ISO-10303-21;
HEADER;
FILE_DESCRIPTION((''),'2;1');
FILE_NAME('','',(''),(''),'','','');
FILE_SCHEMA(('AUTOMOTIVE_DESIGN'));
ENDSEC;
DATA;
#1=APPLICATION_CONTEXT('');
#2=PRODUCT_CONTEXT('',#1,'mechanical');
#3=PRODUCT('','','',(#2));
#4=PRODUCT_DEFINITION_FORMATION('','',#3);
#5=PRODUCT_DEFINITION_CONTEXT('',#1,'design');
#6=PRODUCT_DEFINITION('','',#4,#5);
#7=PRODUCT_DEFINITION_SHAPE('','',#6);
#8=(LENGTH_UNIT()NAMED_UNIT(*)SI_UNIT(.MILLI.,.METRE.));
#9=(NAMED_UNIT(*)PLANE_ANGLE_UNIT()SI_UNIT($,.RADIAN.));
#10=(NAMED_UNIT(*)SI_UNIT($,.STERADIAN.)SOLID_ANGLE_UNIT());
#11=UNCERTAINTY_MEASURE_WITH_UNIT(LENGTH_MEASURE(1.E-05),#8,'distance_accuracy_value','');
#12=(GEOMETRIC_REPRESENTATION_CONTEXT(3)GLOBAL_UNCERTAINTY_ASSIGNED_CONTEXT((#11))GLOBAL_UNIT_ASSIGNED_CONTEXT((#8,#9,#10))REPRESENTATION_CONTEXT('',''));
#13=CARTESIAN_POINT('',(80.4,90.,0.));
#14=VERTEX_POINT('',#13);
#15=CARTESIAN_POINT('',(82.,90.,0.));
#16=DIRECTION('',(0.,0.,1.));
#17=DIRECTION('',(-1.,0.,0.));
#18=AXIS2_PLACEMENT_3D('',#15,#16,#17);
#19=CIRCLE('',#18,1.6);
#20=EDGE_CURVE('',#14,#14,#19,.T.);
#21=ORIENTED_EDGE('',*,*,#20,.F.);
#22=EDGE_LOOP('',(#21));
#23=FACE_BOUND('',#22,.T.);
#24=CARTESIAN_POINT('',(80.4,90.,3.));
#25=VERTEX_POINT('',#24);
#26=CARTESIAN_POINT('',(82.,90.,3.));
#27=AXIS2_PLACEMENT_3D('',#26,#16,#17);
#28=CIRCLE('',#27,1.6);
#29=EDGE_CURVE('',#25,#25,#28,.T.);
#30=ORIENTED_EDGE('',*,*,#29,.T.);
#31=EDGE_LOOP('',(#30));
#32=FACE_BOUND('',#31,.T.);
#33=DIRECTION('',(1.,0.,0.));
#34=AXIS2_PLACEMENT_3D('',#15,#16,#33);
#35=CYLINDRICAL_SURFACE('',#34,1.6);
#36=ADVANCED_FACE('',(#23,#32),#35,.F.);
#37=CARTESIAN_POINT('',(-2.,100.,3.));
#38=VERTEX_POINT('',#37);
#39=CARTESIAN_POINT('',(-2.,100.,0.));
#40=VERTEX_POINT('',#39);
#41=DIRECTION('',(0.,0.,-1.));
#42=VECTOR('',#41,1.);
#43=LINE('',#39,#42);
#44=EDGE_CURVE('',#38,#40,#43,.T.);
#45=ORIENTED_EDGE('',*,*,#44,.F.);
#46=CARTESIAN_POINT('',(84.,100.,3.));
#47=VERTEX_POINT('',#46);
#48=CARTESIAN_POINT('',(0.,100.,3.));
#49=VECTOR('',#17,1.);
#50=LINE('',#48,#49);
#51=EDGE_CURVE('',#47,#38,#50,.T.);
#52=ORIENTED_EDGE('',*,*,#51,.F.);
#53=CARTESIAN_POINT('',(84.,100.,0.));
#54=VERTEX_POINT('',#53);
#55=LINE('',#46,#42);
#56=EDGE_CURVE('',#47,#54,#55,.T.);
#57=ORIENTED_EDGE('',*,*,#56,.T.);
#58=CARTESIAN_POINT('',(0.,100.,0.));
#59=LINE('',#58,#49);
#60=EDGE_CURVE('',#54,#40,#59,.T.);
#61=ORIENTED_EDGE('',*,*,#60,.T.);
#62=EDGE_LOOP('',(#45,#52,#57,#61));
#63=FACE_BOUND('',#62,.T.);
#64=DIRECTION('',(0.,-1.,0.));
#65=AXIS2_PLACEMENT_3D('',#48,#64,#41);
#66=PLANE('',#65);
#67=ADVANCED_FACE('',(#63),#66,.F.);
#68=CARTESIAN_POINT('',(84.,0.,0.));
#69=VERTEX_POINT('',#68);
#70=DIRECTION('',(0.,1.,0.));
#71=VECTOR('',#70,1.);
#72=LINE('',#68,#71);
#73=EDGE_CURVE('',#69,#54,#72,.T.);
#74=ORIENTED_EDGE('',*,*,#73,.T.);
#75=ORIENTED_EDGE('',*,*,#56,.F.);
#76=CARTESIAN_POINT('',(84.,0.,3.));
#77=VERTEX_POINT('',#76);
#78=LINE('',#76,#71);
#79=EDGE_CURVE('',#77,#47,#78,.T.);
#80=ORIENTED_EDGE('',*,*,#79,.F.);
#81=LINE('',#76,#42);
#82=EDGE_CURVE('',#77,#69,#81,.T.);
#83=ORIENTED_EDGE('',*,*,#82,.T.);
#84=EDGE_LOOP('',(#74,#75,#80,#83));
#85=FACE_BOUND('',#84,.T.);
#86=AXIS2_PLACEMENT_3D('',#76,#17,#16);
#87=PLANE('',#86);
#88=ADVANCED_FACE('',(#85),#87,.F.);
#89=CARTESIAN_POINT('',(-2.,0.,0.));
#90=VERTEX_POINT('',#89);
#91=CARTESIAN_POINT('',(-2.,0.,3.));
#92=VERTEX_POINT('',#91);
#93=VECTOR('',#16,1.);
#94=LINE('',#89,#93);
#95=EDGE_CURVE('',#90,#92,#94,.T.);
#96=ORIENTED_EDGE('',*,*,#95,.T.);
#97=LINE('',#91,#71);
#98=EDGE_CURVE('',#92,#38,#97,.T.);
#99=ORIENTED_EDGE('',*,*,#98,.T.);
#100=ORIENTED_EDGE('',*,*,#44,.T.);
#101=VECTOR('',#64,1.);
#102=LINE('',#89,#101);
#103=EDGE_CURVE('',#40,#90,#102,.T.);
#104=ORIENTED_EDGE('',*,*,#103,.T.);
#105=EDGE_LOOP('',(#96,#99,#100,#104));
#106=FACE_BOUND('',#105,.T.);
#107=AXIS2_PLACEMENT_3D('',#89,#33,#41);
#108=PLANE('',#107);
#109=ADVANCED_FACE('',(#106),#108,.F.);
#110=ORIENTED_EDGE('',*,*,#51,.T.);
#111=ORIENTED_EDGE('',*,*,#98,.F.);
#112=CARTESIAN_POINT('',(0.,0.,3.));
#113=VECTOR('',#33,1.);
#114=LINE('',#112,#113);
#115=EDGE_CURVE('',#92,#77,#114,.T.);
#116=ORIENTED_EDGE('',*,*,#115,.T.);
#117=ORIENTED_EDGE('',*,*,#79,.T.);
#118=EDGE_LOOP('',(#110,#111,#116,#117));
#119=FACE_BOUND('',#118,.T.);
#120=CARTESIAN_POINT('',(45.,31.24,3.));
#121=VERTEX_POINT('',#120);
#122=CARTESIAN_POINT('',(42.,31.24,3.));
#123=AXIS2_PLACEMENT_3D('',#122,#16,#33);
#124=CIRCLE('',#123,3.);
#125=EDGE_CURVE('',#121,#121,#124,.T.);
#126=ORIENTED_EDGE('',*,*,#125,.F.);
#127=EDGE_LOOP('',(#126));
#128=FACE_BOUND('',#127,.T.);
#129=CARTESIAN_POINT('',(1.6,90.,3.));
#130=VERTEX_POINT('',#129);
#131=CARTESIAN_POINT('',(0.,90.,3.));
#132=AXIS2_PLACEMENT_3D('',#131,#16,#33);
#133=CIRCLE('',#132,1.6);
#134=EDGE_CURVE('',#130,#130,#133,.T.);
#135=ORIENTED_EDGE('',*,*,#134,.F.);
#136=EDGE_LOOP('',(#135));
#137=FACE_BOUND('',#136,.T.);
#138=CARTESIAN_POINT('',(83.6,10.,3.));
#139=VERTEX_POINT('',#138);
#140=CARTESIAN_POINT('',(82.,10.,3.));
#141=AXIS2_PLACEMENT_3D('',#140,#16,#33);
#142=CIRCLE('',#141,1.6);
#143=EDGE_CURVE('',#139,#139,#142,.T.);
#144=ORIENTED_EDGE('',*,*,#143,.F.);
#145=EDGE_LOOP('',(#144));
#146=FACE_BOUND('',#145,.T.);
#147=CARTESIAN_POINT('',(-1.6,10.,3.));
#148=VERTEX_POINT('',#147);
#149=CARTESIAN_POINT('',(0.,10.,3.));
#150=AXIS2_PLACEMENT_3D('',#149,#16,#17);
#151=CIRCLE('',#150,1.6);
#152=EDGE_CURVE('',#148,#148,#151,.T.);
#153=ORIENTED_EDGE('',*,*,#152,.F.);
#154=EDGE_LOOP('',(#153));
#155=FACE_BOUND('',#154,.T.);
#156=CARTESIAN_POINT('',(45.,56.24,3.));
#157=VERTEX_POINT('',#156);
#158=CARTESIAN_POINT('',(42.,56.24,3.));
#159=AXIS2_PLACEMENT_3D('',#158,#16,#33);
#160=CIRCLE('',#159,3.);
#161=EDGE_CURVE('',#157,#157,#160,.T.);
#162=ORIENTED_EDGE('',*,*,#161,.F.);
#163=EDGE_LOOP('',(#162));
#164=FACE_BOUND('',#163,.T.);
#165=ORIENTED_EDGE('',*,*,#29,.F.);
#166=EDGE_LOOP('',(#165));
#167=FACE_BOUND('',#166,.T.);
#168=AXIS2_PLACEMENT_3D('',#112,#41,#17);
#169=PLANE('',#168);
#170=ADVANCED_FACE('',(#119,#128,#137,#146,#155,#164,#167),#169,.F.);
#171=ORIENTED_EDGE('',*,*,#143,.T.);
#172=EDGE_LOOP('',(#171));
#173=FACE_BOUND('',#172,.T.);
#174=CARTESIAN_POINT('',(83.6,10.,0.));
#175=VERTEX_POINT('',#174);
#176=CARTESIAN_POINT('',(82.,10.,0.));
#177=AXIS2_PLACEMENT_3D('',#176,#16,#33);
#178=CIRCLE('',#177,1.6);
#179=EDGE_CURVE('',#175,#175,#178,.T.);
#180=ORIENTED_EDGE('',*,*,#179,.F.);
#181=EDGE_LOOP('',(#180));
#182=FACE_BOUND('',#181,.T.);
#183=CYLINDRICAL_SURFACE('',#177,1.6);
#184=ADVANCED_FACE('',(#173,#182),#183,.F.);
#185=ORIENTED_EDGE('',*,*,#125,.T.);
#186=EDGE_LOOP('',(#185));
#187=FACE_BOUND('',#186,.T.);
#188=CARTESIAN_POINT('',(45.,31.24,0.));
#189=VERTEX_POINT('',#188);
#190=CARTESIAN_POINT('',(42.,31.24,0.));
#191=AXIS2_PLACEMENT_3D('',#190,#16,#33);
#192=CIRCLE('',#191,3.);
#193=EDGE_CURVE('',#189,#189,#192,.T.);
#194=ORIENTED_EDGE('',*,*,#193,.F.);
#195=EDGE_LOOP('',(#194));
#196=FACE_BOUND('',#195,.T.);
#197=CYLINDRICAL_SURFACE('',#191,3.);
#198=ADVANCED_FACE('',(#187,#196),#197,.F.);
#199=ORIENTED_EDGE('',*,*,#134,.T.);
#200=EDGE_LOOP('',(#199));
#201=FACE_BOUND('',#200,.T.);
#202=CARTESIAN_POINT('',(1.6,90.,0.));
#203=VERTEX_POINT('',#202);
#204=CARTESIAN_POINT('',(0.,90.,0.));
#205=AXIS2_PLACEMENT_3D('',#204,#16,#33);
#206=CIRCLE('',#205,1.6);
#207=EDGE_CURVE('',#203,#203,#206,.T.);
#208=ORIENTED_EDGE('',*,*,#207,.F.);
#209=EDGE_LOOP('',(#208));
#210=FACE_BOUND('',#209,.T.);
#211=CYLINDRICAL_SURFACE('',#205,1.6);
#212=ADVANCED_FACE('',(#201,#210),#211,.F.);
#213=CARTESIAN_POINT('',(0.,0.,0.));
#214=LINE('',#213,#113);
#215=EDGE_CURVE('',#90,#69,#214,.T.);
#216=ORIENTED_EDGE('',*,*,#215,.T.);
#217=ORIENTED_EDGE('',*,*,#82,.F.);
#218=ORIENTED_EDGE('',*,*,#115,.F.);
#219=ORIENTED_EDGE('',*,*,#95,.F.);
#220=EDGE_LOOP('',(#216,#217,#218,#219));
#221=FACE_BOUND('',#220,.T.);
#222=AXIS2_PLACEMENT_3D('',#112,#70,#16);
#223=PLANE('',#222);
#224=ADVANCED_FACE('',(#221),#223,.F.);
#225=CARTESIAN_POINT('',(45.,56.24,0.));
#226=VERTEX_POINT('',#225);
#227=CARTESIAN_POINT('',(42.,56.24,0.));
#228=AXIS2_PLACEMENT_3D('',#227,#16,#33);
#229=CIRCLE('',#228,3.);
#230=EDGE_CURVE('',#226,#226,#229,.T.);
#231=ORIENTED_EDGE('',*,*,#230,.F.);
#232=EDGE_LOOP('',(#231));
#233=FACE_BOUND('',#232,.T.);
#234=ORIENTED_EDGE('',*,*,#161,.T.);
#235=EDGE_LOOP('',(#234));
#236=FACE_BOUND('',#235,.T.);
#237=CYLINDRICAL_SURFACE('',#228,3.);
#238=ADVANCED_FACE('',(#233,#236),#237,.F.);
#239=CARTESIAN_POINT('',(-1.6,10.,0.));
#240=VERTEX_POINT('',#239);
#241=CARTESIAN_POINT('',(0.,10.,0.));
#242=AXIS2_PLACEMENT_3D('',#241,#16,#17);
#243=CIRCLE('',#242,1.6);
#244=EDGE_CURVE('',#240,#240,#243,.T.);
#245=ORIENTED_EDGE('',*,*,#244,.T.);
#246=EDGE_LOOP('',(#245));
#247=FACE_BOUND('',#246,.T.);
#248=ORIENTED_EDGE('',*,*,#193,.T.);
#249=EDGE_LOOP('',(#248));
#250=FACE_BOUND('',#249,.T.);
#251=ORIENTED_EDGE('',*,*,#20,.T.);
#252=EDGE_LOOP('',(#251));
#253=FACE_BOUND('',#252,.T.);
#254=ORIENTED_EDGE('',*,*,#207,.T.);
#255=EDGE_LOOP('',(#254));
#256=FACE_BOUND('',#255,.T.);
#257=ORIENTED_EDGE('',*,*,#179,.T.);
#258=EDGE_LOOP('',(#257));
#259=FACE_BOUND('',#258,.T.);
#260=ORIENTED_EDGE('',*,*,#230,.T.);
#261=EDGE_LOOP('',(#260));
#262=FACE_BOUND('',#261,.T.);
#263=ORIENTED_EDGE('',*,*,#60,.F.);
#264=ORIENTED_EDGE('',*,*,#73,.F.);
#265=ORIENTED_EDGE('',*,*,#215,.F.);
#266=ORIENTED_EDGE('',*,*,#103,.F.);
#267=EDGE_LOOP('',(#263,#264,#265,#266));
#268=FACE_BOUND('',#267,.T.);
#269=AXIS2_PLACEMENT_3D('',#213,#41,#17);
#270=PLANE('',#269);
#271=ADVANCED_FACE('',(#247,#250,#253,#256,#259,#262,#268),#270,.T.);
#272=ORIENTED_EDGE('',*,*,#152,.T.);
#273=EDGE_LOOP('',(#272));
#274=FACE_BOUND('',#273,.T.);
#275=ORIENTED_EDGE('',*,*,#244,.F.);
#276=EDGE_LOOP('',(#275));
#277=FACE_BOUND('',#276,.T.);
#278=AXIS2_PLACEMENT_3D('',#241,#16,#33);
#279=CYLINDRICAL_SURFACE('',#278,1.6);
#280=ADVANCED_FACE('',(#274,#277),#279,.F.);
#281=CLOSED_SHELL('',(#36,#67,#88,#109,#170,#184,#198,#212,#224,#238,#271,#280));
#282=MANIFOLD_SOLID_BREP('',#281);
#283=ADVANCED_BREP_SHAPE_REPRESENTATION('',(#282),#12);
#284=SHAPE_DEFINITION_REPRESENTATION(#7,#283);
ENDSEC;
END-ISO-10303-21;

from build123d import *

# Parameters (mm, degrees)
SKETCH_1_W          = 84
SKETCH_1_H          = 100
EXTRUDE_1_DEPTH     = 3
SKETCH_3_R          = 3
CUT_EXTRUDE_1_DEPTH = 3
SKETCH_4_W          = 3
SKETCH_4_H          = 100
EXTRUDE_2_DEPTH     = 2
SKETCH_5_R          = 1.6
CUT_EXTRUDE_2_DEPTH = 4


with BuildPart() as part:
    # 草图1 → 凸台-拉伸1 (new body)
    with BuildSketch(Plane.XY):
        with Locations((42, 50)):
            Rectangle(SKETCH_1_W, SKETCH_1_H)
    extrude(amount=EXTRUDE_1_DEPTH)

    # 草图3 → 切除-拉伸1 (cut)
    with BuildSketch(Plane.XY.offset(3)):
        with Locations((42, 31.24)):
            Circle(SKETCH_3_R)
        with Locations((42, 56.24)):
            Circle(SKETCH_3_R)
    extrude(amount=-CUT_EXTRUDE_1_DEPTH, mode=Mode.SUBTRACT)

    # 草图4 → 凸台-拉伸2 (add)
    with BuildSketch(Plane.ZY):
        with Locations((1.5, 50)):
            Rectangle(SKETCH_4_W, SKETCH_4_H)
    extrude(amount=EXTRUDE_2_DEPTH)

    # 草图5 → 切除-拉伸2 (cut, through all)
    with BuildSketch(Plane.XY.offset(3)):
        with Locations((82, 10)):
            Circle(SKETCH_5_R)
        with Locations((82, 90)):
            Circle(SKETCH_5_R)
        with Locations((0, 90)):
            Circle(SKETCH_5_R)
        with Locations((0, 10)):
            Circle(SKETCH_5_R)
    extrude(amount=-CUT_EXTRUDE_2_DEPTH, mode=Mode.SUBTRACT)


solid = part.part
